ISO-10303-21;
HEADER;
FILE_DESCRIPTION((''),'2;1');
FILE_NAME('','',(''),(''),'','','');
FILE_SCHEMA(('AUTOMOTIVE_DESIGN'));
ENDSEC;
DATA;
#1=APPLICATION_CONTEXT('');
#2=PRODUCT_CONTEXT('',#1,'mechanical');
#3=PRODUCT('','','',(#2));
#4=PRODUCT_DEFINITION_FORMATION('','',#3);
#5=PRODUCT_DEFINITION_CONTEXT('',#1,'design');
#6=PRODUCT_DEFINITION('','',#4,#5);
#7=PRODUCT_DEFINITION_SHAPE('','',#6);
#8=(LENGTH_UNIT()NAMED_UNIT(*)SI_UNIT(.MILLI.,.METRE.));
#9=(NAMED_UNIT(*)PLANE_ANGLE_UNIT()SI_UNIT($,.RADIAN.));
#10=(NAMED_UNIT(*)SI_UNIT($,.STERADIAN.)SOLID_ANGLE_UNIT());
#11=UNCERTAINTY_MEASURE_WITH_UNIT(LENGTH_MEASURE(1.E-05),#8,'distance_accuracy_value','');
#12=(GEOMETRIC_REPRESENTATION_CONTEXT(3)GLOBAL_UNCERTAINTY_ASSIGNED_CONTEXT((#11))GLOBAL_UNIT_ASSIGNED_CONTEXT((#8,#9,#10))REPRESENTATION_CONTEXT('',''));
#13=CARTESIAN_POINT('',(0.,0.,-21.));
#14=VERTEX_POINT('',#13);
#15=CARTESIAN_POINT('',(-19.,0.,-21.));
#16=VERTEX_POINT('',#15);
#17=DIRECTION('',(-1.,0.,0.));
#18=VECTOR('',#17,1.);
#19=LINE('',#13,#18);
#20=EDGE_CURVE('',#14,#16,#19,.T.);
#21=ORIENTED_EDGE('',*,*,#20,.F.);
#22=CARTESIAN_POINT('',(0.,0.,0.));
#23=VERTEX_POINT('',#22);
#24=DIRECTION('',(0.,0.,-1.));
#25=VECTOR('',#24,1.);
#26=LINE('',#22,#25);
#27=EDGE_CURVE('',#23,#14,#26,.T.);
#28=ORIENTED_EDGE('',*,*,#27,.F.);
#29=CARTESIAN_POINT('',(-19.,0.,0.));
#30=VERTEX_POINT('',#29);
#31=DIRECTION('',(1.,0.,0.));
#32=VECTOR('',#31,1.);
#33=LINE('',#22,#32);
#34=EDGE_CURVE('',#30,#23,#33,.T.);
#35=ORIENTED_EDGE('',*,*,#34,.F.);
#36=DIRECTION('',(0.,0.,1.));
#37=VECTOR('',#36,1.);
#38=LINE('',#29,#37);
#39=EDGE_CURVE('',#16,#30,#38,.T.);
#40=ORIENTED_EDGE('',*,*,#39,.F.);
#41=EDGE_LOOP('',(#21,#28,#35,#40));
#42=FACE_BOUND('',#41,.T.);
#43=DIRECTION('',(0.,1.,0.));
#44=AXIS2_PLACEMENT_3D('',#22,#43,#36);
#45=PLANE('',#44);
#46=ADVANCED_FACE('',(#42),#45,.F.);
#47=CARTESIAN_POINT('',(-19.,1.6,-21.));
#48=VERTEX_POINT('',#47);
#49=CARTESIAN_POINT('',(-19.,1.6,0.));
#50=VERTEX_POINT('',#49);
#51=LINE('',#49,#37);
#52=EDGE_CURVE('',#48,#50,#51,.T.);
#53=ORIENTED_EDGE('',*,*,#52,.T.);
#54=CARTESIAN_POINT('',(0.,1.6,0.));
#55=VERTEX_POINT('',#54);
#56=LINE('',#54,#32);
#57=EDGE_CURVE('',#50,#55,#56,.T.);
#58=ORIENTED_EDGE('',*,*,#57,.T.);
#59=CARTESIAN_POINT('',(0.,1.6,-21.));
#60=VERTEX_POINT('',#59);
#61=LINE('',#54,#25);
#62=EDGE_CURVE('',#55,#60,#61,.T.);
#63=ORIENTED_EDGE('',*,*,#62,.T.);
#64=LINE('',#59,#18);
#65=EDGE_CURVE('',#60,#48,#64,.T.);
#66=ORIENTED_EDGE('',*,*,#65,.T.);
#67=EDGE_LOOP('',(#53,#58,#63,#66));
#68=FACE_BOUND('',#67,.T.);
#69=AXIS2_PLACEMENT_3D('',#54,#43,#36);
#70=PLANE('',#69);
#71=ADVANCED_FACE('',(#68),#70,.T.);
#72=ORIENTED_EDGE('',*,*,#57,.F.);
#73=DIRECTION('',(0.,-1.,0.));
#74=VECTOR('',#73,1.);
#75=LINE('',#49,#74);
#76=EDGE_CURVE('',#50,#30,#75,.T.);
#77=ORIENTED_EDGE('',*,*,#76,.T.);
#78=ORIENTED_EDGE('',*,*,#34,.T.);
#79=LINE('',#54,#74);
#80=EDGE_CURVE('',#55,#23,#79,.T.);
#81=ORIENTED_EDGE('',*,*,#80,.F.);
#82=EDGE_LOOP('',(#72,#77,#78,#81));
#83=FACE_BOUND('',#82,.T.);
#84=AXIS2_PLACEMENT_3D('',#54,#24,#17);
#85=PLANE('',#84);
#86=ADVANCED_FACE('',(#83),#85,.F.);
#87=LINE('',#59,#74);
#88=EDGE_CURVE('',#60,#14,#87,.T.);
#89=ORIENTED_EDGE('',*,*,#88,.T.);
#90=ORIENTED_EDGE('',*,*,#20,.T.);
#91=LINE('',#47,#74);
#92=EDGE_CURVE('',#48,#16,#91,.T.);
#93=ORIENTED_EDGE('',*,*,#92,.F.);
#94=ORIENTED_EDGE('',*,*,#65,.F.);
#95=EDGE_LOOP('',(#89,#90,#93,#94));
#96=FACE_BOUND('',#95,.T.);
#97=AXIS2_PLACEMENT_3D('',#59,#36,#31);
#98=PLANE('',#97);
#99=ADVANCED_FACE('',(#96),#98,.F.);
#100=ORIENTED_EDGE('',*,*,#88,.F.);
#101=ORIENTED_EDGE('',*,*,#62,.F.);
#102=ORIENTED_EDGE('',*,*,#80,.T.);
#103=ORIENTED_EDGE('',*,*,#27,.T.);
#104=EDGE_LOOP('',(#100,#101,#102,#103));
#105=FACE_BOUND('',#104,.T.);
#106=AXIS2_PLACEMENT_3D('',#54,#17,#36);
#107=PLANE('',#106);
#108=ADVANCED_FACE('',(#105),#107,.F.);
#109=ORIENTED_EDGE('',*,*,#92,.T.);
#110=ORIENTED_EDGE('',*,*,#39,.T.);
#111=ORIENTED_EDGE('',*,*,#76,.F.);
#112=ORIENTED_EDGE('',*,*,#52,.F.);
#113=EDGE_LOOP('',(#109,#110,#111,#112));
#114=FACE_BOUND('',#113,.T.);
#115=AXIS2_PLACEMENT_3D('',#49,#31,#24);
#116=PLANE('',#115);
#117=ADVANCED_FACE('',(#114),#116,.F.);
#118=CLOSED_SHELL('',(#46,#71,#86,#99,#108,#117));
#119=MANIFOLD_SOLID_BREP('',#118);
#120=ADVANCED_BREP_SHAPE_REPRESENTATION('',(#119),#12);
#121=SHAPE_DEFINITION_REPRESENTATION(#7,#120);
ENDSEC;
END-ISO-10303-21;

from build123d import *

# Parameters (mm, degrees)
SKETCH_1_W      = 19
SKETCH_1_H      = 21
EXTRUDE_1_DEPTH = 1.6


with BuildPart() as part:
    # 草图1 → 凸台-拉伸1 (new body)
    with BuildSketch(Plane(origin=(0, 0, 0), x_dir=(1, 0, 0), z_dir=(0, 1, 0))):
        with Locations((-9.5, 10.5)):
            Rectangle(SKETCH_1_W, SKETCH_1_H)
    extrude(amount=EXTRUDE_1_DEPTH)


solid = part.part
